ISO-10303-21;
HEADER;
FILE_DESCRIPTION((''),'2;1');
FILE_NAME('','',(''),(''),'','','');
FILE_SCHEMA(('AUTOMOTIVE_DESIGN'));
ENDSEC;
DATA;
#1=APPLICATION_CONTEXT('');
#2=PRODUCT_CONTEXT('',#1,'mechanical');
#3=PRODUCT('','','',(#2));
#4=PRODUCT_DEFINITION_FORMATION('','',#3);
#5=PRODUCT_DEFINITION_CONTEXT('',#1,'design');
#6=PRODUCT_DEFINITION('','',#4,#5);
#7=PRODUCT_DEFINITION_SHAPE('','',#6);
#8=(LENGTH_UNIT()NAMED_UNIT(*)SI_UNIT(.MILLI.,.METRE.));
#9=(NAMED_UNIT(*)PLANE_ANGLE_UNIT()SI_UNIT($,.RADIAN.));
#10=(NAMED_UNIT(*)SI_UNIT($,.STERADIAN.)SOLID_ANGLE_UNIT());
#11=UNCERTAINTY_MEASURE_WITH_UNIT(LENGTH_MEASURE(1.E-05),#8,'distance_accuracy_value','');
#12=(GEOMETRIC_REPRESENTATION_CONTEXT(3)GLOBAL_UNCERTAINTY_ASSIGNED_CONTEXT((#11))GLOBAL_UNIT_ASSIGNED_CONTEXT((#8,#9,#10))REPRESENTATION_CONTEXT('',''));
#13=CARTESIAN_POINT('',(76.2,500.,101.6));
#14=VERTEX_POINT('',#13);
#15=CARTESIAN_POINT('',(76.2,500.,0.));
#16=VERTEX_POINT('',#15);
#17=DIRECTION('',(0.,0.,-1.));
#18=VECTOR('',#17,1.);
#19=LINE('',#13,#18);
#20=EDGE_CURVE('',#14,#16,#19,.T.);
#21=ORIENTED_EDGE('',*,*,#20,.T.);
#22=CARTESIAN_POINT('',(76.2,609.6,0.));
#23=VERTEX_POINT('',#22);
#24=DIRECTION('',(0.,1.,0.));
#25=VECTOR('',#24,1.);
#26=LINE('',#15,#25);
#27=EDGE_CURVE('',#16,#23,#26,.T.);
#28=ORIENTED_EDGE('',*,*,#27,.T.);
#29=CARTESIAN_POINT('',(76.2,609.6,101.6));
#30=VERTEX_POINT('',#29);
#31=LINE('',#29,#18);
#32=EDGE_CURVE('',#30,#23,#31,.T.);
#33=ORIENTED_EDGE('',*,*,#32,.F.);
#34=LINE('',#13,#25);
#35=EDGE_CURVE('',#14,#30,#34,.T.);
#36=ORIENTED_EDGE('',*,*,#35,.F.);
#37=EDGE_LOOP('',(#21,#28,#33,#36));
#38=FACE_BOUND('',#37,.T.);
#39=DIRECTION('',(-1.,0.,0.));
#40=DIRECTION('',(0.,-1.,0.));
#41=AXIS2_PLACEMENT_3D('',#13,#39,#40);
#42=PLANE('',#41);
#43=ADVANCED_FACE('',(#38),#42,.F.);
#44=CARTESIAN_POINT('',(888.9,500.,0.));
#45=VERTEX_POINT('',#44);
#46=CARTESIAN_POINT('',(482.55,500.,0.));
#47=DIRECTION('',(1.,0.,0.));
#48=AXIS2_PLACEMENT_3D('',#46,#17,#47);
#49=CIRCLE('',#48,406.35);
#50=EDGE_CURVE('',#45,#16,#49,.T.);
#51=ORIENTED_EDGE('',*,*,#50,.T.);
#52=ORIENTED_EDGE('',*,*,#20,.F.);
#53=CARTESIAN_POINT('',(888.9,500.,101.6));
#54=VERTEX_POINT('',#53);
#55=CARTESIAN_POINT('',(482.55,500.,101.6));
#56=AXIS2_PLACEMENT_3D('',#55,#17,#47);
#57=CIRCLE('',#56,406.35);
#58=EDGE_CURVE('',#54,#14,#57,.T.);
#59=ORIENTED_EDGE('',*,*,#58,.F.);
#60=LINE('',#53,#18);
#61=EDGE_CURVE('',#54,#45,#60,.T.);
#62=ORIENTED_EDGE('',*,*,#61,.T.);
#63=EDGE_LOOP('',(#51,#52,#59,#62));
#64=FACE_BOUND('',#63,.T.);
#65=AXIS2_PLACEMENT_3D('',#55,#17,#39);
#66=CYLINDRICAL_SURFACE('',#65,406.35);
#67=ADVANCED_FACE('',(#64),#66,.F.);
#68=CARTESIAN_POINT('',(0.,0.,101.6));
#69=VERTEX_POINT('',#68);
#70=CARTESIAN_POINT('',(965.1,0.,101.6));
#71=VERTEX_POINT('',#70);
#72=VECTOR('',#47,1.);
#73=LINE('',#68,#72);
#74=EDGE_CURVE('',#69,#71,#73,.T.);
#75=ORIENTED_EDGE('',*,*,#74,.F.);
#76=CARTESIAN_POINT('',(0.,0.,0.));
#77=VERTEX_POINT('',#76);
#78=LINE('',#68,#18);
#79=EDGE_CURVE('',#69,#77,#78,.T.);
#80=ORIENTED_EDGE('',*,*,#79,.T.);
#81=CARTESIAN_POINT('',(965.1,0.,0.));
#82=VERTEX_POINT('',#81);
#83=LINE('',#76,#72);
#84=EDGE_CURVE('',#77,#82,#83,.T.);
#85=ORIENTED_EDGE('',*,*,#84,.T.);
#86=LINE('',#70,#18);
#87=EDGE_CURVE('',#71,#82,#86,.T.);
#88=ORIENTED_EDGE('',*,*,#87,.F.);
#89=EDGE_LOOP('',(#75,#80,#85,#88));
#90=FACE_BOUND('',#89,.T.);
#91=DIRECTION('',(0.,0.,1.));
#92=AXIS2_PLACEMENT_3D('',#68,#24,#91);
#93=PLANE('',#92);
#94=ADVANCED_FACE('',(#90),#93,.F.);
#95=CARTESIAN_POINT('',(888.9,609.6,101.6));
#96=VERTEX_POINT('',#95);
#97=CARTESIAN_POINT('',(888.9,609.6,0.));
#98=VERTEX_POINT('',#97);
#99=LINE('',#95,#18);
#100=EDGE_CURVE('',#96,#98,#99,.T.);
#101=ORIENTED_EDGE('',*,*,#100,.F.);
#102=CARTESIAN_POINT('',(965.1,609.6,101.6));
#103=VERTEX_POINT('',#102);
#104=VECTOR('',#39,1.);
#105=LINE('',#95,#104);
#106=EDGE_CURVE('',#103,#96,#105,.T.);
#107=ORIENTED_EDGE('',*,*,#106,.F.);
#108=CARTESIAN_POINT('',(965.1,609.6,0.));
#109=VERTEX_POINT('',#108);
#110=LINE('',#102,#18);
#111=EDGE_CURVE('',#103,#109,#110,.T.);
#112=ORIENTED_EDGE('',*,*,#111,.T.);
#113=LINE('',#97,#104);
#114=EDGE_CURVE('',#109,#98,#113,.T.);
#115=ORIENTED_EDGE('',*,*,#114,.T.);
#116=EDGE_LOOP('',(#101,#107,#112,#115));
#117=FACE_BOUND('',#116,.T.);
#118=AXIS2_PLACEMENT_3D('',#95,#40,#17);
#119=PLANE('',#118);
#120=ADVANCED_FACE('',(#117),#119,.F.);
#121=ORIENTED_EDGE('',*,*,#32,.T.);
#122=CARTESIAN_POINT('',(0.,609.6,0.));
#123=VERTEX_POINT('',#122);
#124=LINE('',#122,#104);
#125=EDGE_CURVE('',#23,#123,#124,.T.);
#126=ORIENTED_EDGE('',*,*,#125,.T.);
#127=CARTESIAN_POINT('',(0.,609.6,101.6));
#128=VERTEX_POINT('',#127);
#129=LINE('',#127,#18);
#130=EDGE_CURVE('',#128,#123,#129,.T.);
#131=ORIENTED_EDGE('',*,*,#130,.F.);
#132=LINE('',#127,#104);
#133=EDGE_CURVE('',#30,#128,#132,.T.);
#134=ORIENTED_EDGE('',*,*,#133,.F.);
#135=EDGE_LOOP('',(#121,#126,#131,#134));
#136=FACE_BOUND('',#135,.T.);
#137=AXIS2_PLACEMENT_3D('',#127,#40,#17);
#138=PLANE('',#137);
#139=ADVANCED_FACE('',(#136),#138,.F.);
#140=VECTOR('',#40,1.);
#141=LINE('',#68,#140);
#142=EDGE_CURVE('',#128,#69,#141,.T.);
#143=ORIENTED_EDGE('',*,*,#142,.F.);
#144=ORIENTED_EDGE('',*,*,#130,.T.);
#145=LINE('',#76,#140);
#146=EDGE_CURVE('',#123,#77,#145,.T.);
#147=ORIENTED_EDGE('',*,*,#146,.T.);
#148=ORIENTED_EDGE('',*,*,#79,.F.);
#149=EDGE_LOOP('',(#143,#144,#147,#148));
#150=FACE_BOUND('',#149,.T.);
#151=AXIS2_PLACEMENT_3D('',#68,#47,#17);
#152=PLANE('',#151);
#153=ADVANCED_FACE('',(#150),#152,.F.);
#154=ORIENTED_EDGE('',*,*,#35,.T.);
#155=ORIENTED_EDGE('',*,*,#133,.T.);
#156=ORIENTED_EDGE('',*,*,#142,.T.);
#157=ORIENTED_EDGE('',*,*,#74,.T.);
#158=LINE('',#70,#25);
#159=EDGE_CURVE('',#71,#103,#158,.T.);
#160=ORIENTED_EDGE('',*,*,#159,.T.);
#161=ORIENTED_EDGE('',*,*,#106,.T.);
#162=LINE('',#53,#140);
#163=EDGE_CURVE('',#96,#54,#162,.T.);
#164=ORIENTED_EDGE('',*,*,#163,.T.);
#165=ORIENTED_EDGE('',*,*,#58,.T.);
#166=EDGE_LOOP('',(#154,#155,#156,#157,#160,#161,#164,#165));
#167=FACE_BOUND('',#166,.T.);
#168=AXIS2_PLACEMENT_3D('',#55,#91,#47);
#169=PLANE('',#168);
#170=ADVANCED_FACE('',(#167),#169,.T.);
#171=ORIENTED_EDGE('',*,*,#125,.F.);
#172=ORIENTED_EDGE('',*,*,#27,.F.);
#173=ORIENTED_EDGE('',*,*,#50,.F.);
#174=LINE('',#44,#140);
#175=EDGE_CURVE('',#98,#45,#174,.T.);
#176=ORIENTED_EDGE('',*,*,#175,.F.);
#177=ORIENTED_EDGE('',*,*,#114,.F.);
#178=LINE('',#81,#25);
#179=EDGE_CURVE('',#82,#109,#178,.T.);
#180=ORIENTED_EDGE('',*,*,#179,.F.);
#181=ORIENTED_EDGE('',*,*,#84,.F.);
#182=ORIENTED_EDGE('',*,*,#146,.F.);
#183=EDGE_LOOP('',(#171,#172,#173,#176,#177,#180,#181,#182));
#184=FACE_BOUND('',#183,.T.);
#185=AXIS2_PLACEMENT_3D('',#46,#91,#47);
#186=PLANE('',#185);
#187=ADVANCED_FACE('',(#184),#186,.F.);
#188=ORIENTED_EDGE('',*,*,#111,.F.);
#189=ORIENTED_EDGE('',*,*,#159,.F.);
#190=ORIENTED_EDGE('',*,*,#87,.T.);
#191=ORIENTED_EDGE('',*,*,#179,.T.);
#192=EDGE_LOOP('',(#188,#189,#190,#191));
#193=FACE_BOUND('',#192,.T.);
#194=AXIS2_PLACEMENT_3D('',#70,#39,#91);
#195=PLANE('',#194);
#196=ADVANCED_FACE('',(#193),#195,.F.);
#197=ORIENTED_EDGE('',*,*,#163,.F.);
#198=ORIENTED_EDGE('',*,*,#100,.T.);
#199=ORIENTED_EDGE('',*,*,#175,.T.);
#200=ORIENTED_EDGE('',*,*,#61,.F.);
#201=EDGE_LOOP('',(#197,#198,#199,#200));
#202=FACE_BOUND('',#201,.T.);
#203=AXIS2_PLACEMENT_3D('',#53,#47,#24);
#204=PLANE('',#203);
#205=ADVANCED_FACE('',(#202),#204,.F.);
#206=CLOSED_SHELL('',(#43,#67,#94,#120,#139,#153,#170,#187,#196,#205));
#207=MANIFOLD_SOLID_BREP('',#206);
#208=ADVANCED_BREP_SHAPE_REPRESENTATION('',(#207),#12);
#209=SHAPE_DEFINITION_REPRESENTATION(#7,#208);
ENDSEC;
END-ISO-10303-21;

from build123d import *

# Parameters (mm, degrees)
BOSS_EXTRUDE1_DEPTH = 101.6


with BuildPart() as part:
    # Sketch1 → Boss-Extrude1 (new body)
    with BuildSketch(Plane.XY):
        with BuildLine():
            Line((76.2, 500), (76.2, 609.6))
            Line((76.2, 609.6), (0, 609.6))
            Line((0, 609.6), (0, 0))
            Line((0, 0), (965.1, 0))
            Line((965.1, 0), (965.1, 609.6))
            Line((965.1, 609.6), (888.9, 609.6))
            Line((888.9, 609.6), (888.9, 500))
            ThreePointArc((888.9, 500), (482.55, 93.65), (76.2, 500))
        make_face()
    extrude(amount=BOSS_EXTRUDE1_DEPTH)


solid = part.part
